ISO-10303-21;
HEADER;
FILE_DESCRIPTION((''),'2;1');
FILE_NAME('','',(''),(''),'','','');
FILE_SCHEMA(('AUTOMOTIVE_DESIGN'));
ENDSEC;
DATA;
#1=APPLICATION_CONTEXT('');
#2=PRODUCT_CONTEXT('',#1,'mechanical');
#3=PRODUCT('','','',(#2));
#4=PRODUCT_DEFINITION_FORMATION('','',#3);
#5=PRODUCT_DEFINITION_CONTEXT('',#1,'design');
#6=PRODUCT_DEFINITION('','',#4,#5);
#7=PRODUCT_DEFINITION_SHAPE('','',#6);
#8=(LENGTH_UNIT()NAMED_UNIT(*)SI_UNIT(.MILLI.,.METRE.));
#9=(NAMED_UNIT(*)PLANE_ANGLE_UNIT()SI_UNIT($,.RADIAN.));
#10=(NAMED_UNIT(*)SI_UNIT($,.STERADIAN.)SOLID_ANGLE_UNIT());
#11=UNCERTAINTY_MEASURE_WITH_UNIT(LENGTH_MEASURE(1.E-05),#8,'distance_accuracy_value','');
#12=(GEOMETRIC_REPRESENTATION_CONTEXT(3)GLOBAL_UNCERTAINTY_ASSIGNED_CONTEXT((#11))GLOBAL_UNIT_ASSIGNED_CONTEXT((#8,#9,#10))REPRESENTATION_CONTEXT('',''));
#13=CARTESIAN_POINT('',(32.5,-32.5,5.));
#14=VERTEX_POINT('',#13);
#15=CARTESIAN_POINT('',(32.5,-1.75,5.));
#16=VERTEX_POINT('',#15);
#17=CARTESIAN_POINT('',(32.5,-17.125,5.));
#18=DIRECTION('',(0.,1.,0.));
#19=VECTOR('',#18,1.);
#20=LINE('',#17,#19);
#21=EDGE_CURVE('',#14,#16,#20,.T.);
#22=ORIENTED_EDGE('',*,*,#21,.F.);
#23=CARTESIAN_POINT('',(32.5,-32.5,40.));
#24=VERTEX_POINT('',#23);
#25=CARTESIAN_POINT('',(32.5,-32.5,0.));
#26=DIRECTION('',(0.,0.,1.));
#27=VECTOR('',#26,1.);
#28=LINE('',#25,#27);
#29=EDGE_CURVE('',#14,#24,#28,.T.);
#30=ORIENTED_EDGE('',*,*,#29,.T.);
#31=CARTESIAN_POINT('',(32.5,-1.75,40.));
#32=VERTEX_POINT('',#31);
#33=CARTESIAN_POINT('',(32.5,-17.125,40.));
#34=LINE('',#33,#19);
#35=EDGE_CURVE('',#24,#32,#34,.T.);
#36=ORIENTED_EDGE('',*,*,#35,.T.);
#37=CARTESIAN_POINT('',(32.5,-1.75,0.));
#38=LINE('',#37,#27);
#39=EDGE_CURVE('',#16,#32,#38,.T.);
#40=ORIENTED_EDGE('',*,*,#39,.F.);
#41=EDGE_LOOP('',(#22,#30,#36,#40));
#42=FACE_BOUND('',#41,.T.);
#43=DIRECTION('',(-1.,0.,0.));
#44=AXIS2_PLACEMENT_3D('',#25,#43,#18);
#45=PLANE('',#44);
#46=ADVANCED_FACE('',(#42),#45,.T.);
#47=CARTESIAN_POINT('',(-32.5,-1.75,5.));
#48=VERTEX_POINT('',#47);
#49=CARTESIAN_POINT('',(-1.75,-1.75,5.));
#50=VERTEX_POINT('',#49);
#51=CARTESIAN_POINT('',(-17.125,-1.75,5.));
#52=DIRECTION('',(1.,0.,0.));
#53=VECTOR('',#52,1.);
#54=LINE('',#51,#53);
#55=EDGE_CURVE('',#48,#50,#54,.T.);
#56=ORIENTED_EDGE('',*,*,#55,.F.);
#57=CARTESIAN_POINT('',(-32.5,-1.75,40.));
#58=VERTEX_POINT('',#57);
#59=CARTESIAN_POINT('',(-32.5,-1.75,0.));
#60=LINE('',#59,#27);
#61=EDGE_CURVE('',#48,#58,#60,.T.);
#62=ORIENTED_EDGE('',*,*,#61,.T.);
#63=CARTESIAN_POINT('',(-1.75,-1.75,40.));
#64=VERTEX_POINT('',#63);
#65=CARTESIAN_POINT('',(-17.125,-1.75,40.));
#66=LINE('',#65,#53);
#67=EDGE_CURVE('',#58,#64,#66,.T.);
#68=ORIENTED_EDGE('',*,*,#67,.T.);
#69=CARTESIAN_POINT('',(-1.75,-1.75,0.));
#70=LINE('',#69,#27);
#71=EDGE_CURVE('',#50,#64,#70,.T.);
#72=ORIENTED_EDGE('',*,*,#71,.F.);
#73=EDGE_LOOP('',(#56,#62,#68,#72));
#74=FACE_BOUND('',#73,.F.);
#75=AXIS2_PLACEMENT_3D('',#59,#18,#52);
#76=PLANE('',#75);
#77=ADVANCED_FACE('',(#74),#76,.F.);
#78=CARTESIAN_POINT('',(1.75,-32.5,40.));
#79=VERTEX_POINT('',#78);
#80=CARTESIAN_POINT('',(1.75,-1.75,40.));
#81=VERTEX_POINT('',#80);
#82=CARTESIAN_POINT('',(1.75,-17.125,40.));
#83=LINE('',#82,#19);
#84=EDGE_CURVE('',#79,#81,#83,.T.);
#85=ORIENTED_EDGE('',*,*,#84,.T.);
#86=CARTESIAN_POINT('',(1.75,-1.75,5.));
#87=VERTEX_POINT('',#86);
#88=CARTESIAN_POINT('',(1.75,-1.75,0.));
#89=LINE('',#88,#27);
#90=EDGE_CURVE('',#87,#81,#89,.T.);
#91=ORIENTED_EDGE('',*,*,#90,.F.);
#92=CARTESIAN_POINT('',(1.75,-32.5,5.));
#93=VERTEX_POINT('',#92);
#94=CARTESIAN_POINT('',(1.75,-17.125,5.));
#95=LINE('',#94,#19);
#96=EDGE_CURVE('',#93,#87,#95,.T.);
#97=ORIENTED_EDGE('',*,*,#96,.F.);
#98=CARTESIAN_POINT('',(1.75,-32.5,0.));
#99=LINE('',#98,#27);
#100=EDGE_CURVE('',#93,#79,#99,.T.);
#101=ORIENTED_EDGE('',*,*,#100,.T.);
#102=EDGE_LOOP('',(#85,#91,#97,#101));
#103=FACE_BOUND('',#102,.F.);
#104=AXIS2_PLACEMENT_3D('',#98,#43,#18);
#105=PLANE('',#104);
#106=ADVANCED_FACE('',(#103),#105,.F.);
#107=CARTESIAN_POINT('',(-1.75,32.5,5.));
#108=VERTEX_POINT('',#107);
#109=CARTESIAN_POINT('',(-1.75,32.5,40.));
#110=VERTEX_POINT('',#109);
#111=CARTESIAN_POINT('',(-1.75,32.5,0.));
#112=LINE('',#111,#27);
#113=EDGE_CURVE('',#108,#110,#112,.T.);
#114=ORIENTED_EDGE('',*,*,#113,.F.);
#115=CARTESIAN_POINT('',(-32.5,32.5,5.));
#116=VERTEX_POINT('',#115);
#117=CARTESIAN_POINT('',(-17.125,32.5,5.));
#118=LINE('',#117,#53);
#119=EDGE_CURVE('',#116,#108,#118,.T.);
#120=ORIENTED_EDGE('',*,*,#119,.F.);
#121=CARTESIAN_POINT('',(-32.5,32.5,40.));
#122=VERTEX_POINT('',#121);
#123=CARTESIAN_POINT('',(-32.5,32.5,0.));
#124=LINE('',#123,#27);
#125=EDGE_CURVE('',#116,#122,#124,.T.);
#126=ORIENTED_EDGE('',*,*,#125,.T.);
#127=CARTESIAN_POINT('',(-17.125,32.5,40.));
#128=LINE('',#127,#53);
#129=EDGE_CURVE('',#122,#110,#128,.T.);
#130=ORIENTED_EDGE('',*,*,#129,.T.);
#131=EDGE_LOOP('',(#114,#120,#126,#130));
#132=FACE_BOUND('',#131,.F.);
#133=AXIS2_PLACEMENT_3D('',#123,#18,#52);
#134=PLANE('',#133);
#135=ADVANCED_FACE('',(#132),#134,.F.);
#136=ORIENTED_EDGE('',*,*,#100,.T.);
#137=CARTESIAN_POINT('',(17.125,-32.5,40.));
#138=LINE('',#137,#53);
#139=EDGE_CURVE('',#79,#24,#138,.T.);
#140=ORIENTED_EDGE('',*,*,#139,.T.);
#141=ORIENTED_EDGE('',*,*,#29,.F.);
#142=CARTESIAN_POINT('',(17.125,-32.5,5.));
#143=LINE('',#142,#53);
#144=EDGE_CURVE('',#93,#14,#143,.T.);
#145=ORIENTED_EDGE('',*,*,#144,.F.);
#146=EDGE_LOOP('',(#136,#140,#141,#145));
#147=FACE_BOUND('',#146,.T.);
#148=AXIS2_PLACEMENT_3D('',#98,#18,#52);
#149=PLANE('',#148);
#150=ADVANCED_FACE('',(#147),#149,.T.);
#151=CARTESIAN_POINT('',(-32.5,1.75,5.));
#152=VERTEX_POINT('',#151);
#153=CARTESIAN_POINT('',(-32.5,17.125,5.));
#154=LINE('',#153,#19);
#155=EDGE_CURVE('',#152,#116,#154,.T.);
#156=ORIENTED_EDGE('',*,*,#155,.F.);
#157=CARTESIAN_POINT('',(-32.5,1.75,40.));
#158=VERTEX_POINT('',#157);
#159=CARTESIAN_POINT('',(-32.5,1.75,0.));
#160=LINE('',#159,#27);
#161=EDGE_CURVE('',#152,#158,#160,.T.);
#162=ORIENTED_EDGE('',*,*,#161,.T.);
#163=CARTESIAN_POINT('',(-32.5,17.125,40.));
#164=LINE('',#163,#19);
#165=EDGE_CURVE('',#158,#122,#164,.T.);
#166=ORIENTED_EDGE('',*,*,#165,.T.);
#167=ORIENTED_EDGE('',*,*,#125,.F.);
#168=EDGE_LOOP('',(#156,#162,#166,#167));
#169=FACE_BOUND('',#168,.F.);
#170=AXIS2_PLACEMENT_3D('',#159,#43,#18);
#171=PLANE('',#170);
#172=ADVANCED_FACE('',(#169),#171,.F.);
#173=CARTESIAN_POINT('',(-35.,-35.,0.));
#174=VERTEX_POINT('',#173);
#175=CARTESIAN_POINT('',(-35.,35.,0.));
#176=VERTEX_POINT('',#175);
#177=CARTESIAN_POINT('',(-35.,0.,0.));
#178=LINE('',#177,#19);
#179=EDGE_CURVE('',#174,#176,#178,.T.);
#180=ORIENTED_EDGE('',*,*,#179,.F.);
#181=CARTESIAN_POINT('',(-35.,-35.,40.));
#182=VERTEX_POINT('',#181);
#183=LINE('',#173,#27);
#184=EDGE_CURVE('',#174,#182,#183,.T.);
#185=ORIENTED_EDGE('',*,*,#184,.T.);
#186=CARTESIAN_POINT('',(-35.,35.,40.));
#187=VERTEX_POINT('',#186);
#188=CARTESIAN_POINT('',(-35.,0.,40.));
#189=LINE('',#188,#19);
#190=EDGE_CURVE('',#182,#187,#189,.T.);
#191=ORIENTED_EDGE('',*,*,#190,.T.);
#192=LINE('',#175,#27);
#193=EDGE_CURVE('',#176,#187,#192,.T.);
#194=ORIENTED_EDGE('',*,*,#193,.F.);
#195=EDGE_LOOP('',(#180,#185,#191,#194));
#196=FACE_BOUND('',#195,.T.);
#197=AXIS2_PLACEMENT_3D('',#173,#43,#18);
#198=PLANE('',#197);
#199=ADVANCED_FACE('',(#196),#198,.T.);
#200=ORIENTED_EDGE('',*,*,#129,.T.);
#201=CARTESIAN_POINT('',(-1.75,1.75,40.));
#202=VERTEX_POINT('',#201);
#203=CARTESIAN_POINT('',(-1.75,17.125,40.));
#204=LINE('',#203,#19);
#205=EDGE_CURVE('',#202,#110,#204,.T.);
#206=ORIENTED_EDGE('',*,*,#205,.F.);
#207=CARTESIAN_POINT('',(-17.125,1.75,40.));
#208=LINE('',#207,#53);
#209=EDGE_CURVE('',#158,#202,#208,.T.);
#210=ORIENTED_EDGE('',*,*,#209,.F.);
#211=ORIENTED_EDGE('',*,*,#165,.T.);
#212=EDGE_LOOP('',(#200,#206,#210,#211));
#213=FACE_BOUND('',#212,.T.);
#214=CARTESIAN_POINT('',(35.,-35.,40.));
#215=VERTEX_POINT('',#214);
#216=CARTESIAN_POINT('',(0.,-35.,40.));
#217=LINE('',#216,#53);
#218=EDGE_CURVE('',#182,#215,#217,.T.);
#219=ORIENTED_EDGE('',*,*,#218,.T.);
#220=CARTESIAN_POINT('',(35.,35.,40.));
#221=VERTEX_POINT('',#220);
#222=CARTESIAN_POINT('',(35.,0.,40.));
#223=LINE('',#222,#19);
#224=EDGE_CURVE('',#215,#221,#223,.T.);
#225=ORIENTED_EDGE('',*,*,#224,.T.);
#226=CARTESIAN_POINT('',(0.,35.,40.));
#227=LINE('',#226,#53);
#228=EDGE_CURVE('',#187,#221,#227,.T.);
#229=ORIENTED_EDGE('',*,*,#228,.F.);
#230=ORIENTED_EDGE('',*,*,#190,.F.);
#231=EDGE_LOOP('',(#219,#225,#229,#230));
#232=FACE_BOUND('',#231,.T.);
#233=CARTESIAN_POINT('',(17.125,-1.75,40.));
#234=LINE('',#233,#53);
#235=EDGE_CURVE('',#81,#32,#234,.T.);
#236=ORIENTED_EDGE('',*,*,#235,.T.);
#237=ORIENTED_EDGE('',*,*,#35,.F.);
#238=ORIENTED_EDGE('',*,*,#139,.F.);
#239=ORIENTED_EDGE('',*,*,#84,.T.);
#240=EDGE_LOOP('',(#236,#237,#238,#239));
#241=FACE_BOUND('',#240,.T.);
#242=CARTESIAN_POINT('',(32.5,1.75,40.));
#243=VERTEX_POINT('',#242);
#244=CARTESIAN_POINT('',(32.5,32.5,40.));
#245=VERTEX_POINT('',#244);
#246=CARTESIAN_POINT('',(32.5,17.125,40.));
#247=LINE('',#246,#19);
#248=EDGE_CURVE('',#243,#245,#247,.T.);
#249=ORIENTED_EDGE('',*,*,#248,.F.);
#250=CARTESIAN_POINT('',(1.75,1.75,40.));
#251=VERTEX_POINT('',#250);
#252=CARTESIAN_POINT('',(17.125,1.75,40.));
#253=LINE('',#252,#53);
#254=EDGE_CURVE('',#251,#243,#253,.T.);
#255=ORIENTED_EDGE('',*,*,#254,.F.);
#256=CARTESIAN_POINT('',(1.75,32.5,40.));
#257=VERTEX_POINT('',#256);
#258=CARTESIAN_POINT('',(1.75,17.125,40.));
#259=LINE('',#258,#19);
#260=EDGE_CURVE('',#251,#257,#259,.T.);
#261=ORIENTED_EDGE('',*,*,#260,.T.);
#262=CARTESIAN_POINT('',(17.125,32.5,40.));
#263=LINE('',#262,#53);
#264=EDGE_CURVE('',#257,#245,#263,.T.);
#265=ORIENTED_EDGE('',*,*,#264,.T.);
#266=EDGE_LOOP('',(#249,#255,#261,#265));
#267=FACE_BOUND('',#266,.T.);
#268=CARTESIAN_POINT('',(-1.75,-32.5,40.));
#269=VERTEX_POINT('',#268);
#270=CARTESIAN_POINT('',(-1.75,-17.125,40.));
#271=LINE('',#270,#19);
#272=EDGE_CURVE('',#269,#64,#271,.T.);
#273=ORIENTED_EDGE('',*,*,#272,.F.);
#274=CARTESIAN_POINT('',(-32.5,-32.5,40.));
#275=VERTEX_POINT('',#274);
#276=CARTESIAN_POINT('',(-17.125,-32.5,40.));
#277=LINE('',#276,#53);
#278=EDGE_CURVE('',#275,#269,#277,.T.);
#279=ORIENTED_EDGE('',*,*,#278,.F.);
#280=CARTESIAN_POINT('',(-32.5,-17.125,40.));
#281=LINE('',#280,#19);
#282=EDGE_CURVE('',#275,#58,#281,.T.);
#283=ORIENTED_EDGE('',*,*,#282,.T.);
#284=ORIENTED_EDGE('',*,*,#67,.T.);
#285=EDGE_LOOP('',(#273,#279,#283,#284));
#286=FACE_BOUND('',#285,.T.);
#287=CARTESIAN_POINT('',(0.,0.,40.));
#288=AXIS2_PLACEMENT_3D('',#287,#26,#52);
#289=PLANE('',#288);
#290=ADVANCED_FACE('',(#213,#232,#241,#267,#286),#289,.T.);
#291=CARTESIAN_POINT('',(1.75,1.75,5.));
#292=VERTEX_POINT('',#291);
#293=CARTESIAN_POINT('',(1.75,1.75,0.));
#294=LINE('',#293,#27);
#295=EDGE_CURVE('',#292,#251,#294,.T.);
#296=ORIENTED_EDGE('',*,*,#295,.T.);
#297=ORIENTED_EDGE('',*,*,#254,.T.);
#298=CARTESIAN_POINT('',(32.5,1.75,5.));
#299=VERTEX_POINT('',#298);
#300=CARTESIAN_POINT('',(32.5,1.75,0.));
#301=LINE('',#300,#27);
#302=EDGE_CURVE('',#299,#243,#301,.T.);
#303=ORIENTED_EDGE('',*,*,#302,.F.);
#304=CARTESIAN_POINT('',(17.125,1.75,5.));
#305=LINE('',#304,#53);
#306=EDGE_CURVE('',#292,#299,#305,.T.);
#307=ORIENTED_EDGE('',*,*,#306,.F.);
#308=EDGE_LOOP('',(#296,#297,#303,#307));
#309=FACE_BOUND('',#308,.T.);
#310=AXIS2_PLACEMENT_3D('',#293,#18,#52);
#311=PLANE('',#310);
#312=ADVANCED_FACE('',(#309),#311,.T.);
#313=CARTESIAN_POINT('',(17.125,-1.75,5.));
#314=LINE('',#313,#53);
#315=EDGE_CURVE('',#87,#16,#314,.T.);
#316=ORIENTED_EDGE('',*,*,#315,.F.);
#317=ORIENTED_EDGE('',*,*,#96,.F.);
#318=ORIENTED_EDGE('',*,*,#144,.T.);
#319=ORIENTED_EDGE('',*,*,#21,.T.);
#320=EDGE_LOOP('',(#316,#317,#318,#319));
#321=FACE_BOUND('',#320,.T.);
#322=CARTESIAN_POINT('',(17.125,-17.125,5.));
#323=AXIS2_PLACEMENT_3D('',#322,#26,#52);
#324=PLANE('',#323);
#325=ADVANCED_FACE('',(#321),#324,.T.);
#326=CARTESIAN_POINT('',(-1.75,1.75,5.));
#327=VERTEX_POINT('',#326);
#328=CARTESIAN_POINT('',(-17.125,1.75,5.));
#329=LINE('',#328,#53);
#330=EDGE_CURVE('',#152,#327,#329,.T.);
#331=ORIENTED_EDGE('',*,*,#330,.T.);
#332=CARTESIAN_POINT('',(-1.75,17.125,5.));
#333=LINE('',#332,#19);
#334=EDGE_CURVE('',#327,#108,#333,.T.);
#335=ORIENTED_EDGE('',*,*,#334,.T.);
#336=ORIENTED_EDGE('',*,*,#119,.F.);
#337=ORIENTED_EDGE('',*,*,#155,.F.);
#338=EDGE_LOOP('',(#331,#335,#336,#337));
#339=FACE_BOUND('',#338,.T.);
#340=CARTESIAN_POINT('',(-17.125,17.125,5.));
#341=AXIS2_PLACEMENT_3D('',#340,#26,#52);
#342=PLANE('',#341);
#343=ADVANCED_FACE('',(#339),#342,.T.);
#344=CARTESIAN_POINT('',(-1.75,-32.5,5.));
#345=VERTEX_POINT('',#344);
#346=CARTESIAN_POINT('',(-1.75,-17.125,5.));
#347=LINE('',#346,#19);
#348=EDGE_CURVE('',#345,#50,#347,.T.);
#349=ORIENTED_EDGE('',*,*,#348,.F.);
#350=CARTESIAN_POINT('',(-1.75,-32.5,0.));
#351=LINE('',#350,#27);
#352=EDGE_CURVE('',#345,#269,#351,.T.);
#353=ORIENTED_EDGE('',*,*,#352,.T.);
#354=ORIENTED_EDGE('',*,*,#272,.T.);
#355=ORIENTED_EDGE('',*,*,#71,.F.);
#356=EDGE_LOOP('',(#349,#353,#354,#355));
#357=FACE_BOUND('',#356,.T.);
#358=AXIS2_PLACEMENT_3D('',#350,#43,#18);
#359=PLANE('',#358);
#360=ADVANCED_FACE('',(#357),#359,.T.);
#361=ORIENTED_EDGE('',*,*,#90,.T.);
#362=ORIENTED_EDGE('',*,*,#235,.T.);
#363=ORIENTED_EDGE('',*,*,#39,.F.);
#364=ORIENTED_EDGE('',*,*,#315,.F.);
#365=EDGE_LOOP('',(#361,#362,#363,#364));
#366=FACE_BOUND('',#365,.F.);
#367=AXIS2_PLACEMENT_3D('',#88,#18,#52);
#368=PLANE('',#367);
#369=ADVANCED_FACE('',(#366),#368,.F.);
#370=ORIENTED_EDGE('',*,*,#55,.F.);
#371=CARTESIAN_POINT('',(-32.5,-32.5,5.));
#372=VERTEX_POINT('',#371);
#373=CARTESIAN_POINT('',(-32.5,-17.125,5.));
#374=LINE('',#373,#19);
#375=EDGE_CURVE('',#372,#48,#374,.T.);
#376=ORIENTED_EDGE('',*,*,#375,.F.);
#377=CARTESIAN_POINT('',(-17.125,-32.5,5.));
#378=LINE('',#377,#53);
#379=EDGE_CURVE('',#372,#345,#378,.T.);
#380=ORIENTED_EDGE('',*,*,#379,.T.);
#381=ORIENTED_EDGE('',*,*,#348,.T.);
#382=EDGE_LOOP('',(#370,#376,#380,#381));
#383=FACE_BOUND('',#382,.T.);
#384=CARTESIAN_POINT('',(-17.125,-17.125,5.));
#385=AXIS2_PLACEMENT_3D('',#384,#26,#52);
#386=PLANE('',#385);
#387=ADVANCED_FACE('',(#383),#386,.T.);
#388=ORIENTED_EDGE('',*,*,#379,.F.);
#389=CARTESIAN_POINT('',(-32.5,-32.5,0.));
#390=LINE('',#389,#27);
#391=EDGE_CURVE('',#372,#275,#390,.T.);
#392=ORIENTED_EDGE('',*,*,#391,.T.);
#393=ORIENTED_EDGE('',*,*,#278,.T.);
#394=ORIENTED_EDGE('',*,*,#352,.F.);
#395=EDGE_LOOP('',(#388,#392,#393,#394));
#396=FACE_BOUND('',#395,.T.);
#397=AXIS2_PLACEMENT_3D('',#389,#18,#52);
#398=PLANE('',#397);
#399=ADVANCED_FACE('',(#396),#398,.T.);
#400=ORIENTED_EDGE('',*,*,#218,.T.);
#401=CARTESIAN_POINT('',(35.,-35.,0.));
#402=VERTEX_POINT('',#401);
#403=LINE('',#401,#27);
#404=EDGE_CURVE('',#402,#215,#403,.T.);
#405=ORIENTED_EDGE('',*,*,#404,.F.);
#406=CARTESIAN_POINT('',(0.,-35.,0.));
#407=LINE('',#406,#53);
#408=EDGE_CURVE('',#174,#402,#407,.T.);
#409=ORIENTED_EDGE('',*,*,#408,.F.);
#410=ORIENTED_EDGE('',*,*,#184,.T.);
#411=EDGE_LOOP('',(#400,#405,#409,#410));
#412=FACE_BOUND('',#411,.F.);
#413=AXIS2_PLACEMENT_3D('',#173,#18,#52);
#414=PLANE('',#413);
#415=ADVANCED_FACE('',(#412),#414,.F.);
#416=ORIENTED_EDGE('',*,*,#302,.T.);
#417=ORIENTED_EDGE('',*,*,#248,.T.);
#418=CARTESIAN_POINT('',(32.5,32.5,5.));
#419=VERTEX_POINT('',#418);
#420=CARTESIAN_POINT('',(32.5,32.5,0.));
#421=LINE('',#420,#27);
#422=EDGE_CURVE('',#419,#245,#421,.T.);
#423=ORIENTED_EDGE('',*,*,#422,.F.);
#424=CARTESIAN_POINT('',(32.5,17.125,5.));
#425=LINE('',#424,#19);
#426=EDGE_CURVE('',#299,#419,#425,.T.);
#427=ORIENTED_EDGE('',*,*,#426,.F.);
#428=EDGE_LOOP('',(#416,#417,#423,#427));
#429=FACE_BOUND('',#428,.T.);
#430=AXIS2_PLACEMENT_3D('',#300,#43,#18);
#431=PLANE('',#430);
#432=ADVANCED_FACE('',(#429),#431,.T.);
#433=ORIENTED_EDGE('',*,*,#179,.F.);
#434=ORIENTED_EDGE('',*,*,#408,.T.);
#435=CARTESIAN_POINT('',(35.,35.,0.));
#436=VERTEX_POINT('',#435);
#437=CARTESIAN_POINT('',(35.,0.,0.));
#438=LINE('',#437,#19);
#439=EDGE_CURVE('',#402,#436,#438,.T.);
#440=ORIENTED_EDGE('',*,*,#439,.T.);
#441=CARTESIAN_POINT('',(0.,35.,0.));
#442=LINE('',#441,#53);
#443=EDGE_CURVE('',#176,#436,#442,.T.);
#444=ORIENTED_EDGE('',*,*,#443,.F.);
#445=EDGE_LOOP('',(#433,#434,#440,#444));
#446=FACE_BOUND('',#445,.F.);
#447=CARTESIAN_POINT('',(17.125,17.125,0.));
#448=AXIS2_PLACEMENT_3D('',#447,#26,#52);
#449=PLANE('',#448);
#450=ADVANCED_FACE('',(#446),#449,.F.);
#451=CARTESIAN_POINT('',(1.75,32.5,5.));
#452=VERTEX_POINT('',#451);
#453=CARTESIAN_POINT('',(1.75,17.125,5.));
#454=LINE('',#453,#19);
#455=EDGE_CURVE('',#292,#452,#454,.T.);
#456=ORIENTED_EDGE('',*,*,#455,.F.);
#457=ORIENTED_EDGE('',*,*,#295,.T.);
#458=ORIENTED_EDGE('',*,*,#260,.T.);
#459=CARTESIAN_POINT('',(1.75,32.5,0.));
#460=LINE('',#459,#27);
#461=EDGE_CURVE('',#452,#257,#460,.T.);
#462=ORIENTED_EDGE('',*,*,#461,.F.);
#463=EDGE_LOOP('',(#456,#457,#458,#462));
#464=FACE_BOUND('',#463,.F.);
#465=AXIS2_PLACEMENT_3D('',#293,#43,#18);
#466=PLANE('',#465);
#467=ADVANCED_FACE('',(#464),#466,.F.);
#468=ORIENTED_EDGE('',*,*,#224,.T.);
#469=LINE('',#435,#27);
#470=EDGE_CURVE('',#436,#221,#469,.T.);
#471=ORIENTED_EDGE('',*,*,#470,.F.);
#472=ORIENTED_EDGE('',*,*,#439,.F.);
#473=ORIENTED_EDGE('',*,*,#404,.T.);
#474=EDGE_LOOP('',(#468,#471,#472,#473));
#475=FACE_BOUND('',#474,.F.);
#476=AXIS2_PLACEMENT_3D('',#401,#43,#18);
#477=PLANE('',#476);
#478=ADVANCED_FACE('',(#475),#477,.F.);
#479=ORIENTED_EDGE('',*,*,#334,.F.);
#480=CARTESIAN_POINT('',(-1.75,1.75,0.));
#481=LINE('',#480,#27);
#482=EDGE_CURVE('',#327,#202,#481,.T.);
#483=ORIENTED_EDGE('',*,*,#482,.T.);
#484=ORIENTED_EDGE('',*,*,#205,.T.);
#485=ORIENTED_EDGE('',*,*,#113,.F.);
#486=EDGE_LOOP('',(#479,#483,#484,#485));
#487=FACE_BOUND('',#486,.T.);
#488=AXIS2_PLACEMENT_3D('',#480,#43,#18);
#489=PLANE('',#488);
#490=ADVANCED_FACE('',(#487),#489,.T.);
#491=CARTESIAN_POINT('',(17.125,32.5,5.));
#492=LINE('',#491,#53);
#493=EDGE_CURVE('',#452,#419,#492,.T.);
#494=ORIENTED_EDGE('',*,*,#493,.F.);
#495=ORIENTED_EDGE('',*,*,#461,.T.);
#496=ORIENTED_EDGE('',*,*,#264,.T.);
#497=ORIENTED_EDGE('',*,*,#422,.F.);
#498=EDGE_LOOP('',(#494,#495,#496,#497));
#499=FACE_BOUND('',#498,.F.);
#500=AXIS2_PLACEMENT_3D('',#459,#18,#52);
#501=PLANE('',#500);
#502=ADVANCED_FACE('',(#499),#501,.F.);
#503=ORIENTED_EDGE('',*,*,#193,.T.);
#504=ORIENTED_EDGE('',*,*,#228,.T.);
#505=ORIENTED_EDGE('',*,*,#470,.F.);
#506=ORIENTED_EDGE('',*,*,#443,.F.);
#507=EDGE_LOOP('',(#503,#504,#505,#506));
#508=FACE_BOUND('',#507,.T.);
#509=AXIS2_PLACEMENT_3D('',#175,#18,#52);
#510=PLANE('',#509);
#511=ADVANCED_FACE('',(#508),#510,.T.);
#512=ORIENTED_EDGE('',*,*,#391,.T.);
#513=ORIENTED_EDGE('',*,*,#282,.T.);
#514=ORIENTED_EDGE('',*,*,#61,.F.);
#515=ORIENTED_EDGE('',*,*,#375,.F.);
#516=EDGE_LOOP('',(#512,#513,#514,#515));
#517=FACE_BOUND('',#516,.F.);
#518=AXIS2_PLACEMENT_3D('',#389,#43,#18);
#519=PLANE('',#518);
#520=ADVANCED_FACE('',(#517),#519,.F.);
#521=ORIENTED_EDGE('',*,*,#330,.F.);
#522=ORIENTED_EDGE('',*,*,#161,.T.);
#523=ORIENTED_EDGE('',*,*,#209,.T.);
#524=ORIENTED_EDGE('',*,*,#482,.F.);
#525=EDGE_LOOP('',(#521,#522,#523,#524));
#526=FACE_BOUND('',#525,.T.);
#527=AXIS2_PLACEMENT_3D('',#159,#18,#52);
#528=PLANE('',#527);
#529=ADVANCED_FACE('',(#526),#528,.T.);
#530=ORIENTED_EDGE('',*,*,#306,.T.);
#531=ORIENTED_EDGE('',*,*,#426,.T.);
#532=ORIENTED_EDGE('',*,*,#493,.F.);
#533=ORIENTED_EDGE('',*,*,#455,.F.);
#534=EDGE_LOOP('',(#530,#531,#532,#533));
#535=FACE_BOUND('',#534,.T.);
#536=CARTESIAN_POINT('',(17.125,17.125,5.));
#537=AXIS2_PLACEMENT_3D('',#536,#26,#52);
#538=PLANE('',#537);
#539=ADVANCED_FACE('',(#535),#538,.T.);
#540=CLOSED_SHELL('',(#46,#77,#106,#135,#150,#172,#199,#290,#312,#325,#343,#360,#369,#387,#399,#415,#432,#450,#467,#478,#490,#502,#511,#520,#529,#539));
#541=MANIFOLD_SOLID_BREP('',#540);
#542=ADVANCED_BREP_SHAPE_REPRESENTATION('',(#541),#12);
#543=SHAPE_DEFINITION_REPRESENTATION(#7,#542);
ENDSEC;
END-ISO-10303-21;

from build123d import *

# Parameters (mm, degrees)
F0_W     = 70
F0_H     = 70
F0_W_2   = 30.75
F0_H_2   = 30.75
F1_DEPTH = 40
F2_DEPTH = 5


with BuildPart() as f1:
    # F0 (on Top) → F1 (new body)
    with BuildSketch(Plane.XY):
        Rectangle(F0_W, F0_H)
        with Locations((-17.125, -17.125)):
            Rectangle(F0_W_2, F0_H_2, mode=Mode.SUBTRACT)
        with Locations((17.125, -17.125)):
            Rectangle(F0_W_2, F0_H_2, mode=Mode.SUBTRACT)
        with Locations((-17.125, 17.125)):
            Rectangle(F0_W_2, F0_H_2, mode=Mode.SUBTRACT)
        with Locations((17.125, 17.125)):
            Rectangle(F0_W_2, F0_H_2, mode=Mode.SUBTRACT)
    extrude(amount=F1_DEPTH)

    # F0 (on Top) → F2 (join)
    with BuildSketch(Plane.XY):
        with Locations((17.125, 17.125)):
            Rectangle(F0_W_2, F0_H_2)
        with Locations((17.125, -17.125)):
            Rectangle(F0_W_2, F0_H_2)
        with Locations((-17.125, -17.125)):
            Rectangle(F0_W_2, F0_H_2)
        with Locations((-17.125, 17.125)):
            Rectangle(F0_W_2, F0_H_2)
    extrude(amount=F2_DEPTH)


solid = f1.part
